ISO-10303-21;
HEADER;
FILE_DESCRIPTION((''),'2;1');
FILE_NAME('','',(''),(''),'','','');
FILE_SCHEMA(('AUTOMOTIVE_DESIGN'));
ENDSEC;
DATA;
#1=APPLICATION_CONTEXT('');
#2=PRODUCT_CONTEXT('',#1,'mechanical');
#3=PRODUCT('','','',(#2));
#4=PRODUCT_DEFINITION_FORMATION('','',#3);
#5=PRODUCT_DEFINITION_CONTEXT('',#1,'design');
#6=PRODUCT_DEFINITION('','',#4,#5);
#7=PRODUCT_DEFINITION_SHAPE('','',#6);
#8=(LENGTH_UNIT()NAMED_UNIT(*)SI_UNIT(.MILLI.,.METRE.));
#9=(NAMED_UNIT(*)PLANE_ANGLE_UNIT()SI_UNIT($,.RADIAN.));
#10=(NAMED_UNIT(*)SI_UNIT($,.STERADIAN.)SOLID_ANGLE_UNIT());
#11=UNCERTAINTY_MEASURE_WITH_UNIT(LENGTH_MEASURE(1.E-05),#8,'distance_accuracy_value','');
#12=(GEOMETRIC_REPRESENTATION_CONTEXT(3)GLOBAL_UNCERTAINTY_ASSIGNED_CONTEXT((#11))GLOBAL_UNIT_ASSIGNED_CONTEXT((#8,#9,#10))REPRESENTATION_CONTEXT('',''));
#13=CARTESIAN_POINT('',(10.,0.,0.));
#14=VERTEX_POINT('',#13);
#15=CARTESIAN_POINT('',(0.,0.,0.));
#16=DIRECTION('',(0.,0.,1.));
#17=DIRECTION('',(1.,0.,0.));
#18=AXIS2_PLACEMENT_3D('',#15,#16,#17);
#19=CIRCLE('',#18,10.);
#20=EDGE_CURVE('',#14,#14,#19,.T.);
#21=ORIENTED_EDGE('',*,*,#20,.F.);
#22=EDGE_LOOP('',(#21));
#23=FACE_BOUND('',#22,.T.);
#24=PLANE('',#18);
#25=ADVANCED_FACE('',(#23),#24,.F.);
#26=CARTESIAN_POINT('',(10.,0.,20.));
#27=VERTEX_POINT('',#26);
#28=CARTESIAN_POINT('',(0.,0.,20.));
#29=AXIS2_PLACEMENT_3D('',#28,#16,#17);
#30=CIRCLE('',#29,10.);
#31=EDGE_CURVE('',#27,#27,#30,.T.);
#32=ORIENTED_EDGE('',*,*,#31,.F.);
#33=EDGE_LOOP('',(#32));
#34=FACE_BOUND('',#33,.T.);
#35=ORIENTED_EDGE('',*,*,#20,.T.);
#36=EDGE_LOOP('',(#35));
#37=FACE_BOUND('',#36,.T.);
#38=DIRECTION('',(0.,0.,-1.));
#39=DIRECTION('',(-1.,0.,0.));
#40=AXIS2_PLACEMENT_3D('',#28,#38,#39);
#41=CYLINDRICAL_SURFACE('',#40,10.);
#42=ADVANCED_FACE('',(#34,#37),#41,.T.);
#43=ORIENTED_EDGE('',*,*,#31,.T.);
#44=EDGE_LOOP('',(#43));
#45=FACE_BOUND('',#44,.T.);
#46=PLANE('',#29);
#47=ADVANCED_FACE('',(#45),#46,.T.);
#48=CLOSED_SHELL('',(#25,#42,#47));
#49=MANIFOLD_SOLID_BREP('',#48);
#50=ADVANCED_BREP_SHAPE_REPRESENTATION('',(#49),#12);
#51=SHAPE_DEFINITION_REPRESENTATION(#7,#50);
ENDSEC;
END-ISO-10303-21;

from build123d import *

# Parameters (mm, degrees)
SKETCH_1_R      = 10
EXTRUDE_1_DEPTH = 20


with BuildPart() as part:
    # Эскиз1 → Бобышка-Вытянуть1 (new body)
    with BuildSketch(Plane.XY):
        Circle(SKETCH_1_R)
    extrude(amount=EXTRUDE_1_DEPTH)


solid = part.part
